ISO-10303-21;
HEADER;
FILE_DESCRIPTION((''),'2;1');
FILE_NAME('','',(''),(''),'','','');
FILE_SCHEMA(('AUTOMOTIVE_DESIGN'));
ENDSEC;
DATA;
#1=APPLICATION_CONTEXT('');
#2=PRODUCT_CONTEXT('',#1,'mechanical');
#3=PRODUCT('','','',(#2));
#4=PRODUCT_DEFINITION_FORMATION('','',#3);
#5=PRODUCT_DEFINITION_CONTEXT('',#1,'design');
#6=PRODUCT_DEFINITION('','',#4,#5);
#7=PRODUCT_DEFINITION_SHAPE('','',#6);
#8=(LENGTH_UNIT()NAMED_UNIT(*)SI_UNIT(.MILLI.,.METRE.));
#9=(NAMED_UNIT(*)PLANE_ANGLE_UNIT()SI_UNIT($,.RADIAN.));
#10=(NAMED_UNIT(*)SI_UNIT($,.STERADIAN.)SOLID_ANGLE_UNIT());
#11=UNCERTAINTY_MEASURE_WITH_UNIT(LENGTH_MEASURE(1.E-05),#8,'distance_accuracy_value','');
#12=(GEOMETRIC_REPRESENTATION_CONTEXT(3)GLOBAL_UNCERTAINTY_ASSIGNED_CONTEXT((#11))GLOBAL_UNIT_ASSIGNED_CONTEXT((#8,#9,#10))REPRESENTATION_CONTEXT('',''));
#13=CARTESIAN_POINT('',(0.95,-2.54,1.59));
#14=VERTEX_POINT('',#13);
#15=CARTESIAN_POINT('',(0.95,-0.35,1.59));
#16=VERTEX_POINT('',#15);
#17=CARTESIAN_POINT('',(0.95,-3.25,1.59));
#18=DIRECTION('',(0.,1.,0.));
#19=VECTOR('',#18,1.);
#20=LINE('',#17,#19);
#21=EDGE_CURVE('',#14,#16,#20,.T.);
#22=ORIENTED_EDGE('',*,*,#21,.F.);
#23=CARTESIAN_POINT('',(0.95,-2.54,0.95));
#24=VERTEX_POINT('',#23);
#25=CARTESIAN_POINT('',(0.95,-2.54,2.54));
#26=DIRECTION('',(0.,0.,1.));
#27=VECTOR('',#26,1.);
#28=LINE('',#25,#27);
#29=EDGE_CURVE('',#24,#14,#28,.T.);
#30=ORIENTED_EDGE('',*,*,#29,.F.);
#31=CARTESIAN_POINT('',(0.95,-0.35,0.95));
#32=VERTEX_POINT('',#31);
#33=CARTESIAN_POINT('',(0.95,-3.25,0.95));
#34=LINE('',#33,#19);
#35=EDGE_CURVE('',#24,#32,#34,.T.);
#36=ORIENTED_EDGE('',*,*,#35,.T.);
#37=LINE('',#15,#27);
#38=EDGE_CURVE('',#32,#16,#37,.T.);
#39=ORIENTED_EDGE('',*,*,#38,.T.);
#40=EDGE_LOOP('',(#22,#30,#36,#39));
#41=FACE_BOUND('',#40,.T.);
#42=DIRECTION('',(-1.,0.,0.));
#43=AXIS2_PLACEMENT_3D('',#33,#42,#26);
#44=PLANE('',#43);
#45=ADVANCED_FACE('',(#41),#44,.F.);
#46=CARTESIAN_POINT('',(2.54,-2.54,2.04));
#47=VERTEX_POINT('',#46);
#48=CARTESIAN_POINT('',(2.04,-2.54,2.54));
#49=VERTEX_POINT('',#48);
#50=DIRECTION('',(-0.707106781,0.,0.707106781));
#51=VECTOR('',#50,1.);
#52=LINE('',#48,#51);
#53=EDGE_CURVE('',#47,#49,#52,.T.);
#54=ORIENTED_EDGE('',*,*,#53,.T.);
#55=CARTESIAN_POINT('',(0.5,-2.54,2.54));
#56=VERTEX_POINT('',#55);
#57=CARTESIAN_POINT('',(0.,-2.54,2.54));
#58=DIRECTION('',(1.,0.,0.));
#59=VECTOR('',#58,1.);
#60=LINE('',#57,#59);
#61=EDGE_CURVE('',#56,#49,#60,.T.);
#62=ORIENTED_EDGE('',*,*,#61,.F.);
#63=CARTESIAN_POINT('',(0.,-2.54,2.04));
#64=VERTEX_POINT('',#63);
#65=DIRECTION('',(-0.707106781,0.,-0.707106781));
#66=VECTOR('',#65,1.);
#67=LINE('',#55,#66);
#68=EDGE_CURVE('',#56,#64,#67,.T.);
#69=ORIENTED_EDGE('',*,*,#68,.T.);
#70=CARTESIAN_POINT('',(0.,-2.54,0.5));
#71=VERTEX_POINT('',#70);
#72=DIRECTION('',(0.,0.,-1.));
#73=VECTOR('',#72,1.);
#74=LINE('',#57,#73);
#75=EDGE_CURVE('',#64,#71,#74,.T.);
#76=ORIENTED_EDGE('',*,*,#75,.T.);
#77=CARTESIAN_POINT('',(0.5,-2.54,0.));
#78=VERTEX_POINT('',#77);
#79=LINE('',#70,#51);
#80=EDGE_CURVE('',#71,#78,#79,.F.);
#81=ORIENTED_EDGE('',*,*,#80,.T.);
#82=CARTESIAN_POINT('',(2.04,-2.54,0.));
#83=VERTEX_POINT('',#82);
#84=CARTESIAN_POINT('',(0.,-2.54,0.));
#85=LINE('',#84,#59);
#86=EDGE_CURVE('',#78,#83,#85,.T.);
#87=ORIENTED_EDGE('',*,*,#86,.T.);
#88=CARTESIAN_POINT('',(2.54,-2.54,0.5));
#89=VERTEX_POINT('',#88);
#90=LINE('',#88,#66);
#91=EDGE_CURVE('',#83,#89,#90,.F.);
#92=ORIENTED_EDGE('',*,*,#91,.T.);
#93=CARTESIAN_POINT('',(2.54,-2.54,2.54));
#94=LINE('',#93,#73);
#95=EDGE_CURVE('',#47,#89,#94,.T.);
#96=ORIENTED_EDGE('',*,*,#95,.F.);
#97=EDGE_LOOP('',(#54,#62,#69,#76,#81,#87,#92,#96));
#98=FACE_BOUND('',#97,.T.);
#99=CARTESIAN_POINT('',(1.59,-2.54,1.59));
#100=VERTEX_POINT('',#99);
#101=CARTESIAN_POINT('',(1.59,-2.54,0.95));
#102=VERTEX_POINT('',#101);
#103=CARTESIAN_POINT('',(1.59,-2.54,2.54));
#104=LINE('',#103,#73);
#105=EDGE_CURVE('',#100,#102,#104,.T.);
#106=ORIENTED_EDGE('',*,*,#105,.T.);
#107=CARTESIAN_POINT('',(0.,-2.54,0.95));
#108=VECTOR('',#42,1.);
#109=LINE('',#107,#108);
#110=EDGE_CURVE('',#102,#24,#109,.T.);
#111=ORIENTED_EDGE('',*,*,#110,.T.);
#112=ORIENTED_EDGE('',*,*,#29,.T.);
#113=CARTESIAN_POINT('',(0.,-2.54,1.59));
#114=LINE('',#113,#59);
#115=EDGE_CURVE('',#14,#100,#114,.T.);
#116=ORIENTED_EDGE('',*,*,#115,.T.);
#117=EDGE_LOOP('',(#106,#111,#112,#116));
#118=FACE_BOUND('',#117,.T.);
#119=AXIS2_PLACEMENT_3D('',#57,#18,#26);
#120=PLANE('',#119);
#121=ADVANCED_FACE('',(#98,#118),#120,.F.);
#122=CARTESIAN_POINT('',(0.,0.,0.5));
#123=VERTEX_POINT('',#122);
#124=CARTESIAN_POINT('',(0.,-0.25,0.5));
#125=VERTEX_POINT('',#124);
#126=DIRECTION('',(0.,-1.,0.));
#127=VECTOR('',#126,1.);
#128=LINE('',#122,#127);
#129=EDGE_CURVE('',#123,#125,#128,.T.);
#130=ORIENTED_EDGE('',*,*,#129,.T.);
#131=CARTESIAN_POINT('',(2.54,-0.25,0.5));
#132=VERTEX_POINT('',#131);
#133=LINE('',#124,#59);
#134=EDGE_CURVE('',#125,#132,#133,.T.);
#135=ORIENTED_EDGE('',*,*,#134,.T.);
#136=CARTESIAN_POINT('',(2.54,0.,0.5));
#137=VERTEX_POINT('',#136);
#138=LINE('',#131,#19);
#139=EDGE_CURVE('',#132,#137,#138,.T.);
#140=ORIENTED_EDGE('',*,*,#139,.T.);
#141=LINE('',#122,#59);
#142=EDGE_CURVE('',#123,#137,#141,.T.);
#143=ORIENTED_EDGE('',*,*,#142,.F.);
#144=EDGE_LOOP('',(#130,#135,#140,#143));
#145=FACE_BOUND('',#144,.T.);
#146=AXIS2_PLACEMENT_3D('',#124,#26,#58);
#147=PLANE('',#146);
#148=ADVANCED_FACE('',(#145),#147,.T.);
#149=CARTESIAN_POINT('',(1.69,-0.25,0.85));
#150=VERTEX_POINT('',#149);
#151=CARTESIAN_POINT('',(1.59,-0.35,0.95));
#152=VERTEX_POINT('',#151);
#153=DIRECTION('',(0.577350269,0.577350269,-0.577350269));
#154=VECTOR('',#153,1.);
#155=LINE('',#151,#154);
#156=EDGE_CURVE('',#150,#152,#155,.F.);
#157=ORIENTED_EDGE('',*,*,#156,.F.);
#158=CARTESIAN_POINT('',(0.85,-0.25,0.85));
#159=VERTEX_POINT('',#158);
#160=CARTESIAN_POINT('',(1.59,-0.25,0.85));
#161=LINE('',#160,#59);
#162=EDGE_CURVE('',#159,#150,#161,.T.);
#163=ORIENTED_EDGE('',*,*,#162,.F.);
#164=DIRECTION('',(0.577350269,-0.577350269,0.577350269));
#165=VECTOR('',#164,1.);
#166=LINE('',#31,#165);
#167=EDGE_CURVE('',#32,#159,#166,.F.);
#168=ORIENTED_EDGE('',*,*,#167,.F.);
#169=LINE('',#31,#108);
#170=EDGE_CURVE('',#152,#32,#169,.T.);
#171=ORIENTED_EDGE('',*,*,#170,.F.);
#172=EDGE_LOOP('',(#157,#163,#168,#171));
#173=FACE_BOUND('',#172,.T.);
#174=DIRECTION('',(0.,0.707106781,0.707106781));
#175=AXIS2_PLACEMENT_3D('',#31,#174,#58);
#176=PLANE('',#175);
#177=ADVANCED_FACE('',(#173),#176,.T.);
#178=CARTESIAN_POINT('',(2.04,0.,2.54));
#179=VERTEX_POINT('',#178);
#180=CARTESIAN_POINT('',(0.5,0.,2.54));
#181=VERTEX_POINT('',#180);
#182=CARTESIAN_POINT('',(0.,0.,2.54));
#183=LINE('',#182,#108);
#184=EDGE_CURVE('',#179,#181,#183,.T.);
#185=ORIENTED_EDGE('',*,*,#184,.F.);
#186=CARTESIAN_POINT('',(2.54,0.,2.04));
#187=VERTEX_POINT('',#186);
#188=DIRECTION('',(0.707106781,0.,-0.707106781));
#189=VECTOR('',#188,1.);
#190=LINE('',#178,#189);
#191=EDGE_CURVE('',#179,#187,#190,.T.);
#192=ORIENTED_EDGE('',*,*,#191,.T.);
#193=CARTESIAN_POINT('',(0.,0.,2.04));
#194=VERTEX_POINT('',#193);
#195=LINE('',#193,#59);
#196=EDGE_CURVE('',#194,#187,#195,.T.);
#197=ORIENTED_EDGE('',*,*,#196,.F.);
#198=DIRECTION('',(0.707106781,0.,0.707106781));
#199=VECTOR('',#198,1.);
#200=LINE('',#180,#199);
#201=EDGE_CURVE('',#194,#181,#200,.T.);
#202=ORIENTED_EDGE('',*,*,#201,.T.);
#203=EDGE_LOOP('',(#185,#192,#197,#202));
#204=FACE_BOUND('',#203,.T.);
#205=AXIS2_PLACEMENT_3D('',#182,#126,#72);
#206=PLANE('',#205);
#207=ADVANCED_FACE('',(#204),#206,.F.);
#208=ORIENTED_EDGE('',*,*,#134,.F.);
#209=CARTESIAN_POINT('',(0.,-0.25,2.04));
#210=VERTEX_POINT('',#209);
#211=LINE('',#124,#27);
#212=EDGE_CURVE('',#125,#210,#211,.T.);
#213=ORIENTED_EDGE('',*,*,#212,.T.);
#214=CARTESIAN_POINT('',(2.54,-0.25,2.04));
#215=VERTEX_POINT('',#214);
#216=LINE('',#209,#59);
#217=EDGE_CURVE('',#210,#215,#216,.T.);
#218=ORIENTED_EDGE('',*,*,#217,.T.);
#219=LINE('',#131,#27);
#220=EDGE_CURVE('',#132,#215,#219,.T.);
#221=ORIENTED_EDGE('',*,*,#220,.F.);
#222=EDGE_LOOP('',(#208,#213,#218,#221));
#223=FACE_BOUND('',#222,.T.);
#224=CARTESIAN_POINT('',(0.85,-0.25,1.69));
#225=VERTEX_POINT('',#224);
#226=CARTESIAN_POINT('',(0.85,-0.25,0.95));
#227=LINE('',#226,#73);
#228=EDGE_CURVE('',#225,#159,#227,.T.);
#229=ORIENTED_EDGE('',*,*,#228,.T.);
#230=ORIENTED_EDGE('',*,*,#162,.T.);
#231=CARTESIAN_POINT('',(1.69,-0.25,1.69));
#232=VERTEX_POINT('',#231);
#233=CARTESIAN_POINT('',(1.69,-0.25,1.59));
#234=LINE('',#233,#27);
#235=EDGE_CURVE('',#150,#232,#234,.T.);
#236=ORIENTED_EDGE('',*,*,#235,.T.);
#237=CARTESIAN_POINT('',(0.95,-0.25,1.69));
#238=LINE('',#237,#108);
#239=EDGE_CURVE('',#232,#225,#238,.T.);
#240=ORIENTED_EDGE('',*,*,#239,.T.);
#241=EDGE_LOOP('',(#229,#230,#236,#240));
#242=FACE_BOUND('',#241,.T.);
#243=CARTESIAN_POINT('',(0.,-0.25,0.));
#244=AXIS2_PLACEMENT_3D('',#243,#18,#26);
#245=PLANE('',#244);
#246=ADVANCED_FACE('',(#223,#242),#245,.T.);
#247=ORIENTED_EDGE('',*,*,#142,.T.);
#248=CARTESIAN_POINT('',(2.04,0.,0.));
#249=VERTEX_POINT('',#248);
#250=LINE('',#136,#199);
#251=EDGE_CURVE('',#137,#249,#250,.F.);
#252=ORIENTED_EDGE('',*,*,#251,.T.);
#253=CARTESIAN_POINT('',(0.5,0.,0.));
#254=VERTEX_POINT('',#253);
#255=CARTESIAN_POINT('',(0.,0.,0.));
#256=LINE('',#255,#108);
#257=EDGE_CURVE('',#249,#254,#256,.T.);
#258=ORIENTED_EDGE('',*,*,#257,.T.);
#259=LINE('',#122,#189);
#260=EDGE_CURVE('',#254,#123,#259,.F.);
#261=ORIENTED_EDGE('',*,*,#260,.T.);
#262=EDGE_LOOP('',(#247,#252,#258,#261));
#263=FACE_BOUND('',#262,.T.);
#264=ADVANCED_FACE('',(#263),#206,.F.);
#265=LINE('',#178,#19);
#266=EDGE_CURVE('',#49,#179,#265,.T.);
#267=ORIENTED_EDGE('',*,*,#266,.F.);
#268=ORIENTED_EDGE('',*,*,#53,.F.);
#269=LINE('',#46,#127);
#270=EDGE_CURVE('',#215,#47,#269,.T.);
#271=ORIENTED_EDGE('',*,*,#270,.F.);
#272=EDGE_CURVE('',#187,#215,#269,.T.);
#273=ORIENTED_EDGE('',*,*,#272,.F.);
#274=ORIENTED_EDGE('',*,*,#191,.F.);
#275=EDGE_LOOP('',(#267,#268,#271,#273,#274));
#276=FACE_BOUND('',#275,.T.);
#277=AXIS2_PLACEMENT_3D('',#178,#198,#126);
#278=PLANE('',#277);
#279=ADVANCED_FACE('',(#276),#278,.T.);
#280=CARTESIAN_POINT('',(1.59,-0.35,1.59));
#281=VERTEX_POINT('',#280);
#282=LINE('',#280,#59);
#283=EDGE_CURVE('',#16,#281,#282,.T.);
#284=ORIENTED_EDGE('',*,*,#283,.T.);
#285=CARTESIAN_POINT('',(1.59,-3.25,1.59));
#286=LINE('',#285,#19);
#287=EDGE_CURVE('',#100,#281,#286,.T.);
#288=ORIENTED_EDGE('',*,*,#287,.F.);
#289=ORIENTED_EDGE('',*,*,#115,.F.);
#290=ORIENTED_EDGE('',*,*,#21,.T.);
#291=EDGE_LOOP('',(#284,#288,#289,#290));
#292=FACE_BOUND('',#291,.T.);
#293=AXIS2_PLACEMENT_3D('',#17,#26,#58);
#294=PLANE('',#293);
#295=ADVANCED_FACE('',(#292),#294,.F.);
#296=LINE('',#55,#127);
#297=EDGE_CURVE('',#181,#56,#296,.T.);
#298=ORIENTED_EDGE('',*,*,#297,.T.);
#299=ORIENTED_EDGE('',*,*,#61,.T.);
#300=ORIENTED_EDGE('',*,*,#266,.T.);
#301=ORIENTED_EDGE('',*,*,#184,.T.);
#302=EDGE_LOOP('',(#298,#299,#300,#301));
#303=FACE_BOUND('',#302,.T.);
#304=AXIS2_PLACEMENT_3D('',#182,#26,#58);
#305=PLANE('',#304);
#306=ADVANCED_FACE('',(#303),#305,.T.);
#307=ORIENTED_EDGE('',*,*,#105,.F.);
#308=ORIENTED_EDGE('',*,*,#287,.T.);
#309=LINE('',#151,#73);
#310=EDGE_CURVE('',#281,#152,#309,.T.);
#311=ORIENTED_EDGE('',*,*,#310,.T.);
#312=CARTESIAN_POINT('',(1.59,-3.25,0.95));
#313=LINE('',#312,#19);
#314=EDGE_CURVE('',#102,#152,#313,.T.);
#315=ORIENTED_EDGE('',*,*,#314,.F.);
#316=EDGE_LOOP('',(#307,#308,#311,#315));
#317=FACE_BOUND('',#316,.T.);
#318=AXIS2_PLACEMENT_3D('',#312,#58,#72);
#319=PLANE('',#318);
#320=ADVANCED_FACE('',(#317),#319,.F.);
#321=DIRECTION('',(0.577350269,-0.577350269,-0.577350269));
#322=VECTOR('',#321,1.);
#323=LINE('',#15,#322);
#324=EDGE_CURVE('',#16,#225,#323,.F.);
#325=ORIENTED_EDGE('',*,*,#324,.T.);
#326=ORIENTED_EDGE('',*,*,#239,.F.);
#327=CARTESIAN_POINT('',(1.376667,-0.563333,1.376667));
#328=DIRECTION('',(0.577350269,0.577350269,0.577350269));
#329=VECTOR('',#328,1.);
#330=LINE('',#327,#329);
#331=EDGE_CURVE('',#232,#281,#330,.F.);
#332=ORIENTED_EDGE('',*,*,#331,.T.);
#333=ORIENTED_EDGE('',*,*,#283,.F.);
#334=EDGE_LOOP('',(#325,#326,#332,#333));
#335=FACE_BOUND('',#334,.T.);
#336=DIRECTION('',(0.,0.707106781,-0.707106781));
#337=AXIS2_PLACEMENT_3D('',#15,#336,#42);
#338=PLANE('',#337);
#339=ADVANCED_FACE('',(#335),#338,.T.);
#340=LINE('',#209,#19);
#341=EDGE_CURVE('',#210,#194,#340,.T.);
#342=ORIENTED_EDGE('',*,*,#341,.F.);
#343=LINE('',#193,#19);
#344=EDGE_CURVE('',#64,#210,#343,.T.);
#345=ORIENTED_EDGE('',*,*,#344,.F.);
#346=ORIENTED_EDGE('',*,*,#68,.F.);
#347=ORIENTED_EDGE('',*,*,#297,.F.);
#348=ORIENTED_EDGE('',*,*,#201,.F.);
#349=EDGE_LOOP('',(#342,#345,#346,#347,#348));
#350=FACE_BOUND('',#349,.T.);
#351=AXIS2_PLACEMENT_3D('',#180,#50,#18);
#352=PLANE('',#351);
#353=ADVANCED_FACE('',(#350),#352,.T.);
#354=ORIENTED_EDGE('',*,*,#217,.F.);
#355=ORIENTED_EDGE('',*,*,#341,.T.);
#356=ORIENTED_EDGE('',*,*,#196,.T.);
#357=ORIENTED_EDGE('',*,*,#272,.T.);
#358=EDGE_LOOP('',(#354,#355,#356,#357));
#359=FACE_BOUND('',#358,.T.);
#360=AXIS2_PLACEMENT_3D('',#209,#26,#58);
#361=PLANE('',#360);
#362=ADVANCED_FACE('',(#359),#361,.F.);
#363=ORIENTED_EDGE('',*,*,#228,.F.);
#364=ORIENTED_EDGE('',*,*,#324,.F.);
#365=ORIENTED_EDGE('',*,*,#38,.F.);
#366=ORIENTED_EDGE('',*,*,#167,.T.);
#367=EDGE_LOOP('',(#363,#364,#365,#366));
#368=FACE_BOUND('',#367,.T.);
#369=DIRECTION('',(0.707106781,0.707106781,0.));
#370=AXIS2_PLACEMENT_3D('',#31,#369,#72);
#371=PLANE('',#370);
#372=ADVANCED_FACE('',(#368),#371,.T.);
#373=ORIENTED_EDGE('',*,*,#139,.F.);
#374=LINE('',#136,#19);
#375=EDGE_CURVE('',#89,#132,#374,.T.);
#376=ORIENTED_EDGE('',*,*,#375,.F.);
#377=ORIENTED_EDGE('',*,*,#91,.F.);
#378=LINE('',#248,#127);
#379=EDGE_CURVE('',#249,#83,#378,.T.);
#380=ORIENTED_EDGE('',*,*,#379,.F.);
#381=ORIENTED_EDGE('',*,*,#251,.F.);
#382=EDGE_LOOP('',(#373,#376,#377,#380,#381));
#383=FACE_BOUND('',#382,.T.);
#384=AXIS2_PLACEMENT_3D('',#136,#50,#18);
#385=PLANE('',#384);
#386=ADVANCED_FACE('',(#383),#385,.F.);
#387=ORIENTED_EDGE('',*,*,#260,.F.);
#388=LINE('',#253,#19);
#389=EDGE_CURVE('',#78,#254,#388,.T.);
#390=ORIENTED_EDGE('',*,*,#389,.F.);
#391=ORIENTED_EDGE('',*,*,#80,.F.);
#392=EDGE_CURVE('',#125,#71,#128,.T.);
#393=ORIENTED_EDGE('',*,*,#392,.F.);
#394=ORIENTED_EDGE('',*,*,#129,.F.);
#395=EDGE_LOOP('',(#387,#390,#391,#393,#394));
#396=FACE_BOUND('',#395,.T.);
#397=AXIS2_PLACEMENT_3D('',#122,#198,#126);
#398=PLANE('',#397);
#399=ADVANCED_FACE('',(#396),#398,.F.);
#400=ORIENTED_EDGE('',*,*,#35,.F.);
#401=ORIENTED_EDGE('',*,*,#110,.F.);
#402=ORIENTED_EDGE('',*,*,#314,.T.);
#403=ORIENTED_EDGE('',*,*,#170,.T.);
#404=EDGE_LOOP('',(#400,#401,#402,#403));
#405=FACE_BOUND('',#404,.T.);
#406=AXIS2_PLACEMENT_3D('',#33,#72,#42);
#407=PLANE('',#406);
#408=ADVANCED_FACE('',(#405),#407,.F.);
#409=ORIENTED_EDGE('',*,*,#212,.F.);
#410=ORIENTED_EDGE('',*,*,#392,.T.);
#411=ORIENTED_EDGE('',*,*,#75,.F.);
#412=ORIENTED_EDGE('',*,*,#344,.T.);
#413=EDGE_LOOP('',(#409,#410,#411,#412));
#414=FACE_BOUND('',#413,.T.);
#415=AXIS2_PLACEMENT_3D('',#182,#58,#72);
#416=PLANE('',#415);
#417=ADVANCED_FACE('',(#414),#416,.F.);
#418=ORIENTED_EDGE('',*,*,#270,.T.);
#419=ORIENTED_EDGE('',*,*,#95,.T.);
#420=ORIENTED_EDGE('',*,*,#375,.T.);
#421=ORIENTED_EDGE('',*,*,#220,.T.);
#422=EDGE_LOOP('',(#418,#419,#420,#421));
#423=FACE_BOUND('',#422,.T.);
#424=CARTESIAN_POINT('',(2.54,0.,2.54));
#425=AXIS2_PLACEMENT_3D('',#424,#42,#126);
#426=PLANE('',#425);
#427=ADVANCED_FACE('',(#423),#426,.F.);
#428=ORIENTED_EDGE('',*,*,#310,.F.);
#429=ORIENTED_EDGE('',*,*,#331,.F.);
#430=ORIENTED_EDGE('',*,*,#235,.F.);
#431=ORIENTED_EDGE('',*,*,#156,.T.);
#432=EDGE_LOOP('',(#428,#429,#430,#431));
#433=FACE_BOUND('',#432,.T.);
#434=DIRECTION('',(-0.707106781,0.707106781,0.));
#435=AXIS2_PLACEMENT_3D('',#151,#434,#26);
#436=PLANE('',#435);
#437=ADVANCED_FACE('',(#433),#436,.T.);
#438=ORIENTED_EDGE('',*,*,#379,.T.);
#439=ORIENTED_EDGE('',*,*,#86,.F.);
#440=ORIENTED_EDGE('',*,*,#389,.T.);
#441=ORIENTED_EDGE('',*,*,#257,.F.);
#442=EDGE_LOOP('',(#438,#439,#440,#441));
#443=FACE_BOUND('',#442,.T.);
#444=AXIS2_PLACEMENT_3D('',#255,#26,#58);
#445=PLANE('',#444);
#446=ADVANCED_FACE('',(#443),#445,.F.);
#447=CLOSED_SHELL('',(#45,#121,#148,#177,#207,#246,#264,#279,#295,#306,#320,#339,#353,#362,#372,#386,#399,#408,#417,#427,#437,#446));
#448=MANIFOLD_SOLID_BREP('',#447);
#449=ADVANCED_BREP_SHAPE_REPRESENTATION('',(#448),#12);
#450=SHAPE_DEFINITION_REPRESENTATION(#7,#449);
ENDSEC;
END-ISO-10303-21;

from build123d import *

# Parameters (mm, degrees)
SKETCH1_W           = 2.54
SKETCH1_H           = 2.54
BOSS_EXTRUDE1_DEPTH = 2.54
CHAMFER1_SIZE       = 0.5
SKETCH2_W           = 2.54
SKETCH2_H           = 1.54
CUT_EXTRUDE6_DEPTH  = 0.25
SKETCH3_W           = 0.64
SKETCH3_H           = 0.64
CUT_EXTRUDE7_DEPTH  = 3
CHAMFER4_SIZE       = 0.1


with BuildPart() as part:
    # Sketch1 → Boss-Extrude1 (new body)
    with BuildSketch(Plane.XY):
        with Locations((1.27, -1.27)):
            Rectangle(SKETCH1_W, SKETCH1_H)
    extrude(amount=BOSS_EXTRUDE1_DEPTH)

    # Chamfer1
    chamfer1_edges = [part.edges().sort_by_distance(p)[0] for p in [
        (2.54, -1.27, 2.54),
        (0, -1.27, 2.54),
        (2.54, -1.27, 0),
        (0, -1.27, 0),
    ]]
    chamfer(chamfer1_edges, length=CHAMFER1_SIZE)

    # Sketch2 → Cut-Extrude6 (cut)
    with BuildSketch(Plane(origin=(0, 0, 0), x_dir=(1, 0, 0), z_dir=(0, 1, 0))):
        with Locations((1.27, -1.27)):
            Rectangle(SKETCH2_W, SKETCH2_H)
    extrude(amount=-CUT_EXTRUDE6_DEPTH, mode=Mode.SUBTRACT)

    # Sketch3 → Cut-Extrude7 (cut)
    with BuildSketch(Plane(origin=(0, -0.25, 0), x_dir=(1, 0, 0), z_dir=(0, 1, 0))):
        with Locations((1.27, -1.27)):
            Rectangle(SKETCH3_W, SKETCH3_H)
    extrude(amount=-CUT_EXTRUDE7_DEPTH, mode=Mode.SUBTRACT)

    # Chamfer4
    chamfer4_edges = [part.edges().sort_by_distance(p)[0] for p in [
        (1.59, -0.25, 1.27),
        (1.27, -0.25, 0.95),
        (0.95, -0.25, 1.27),
        (1.27, -0.25, 1.59),
    ]]
    chamfer(chamfer4_edges, length=CHAMFER4_SIZE)


solid = part.part
